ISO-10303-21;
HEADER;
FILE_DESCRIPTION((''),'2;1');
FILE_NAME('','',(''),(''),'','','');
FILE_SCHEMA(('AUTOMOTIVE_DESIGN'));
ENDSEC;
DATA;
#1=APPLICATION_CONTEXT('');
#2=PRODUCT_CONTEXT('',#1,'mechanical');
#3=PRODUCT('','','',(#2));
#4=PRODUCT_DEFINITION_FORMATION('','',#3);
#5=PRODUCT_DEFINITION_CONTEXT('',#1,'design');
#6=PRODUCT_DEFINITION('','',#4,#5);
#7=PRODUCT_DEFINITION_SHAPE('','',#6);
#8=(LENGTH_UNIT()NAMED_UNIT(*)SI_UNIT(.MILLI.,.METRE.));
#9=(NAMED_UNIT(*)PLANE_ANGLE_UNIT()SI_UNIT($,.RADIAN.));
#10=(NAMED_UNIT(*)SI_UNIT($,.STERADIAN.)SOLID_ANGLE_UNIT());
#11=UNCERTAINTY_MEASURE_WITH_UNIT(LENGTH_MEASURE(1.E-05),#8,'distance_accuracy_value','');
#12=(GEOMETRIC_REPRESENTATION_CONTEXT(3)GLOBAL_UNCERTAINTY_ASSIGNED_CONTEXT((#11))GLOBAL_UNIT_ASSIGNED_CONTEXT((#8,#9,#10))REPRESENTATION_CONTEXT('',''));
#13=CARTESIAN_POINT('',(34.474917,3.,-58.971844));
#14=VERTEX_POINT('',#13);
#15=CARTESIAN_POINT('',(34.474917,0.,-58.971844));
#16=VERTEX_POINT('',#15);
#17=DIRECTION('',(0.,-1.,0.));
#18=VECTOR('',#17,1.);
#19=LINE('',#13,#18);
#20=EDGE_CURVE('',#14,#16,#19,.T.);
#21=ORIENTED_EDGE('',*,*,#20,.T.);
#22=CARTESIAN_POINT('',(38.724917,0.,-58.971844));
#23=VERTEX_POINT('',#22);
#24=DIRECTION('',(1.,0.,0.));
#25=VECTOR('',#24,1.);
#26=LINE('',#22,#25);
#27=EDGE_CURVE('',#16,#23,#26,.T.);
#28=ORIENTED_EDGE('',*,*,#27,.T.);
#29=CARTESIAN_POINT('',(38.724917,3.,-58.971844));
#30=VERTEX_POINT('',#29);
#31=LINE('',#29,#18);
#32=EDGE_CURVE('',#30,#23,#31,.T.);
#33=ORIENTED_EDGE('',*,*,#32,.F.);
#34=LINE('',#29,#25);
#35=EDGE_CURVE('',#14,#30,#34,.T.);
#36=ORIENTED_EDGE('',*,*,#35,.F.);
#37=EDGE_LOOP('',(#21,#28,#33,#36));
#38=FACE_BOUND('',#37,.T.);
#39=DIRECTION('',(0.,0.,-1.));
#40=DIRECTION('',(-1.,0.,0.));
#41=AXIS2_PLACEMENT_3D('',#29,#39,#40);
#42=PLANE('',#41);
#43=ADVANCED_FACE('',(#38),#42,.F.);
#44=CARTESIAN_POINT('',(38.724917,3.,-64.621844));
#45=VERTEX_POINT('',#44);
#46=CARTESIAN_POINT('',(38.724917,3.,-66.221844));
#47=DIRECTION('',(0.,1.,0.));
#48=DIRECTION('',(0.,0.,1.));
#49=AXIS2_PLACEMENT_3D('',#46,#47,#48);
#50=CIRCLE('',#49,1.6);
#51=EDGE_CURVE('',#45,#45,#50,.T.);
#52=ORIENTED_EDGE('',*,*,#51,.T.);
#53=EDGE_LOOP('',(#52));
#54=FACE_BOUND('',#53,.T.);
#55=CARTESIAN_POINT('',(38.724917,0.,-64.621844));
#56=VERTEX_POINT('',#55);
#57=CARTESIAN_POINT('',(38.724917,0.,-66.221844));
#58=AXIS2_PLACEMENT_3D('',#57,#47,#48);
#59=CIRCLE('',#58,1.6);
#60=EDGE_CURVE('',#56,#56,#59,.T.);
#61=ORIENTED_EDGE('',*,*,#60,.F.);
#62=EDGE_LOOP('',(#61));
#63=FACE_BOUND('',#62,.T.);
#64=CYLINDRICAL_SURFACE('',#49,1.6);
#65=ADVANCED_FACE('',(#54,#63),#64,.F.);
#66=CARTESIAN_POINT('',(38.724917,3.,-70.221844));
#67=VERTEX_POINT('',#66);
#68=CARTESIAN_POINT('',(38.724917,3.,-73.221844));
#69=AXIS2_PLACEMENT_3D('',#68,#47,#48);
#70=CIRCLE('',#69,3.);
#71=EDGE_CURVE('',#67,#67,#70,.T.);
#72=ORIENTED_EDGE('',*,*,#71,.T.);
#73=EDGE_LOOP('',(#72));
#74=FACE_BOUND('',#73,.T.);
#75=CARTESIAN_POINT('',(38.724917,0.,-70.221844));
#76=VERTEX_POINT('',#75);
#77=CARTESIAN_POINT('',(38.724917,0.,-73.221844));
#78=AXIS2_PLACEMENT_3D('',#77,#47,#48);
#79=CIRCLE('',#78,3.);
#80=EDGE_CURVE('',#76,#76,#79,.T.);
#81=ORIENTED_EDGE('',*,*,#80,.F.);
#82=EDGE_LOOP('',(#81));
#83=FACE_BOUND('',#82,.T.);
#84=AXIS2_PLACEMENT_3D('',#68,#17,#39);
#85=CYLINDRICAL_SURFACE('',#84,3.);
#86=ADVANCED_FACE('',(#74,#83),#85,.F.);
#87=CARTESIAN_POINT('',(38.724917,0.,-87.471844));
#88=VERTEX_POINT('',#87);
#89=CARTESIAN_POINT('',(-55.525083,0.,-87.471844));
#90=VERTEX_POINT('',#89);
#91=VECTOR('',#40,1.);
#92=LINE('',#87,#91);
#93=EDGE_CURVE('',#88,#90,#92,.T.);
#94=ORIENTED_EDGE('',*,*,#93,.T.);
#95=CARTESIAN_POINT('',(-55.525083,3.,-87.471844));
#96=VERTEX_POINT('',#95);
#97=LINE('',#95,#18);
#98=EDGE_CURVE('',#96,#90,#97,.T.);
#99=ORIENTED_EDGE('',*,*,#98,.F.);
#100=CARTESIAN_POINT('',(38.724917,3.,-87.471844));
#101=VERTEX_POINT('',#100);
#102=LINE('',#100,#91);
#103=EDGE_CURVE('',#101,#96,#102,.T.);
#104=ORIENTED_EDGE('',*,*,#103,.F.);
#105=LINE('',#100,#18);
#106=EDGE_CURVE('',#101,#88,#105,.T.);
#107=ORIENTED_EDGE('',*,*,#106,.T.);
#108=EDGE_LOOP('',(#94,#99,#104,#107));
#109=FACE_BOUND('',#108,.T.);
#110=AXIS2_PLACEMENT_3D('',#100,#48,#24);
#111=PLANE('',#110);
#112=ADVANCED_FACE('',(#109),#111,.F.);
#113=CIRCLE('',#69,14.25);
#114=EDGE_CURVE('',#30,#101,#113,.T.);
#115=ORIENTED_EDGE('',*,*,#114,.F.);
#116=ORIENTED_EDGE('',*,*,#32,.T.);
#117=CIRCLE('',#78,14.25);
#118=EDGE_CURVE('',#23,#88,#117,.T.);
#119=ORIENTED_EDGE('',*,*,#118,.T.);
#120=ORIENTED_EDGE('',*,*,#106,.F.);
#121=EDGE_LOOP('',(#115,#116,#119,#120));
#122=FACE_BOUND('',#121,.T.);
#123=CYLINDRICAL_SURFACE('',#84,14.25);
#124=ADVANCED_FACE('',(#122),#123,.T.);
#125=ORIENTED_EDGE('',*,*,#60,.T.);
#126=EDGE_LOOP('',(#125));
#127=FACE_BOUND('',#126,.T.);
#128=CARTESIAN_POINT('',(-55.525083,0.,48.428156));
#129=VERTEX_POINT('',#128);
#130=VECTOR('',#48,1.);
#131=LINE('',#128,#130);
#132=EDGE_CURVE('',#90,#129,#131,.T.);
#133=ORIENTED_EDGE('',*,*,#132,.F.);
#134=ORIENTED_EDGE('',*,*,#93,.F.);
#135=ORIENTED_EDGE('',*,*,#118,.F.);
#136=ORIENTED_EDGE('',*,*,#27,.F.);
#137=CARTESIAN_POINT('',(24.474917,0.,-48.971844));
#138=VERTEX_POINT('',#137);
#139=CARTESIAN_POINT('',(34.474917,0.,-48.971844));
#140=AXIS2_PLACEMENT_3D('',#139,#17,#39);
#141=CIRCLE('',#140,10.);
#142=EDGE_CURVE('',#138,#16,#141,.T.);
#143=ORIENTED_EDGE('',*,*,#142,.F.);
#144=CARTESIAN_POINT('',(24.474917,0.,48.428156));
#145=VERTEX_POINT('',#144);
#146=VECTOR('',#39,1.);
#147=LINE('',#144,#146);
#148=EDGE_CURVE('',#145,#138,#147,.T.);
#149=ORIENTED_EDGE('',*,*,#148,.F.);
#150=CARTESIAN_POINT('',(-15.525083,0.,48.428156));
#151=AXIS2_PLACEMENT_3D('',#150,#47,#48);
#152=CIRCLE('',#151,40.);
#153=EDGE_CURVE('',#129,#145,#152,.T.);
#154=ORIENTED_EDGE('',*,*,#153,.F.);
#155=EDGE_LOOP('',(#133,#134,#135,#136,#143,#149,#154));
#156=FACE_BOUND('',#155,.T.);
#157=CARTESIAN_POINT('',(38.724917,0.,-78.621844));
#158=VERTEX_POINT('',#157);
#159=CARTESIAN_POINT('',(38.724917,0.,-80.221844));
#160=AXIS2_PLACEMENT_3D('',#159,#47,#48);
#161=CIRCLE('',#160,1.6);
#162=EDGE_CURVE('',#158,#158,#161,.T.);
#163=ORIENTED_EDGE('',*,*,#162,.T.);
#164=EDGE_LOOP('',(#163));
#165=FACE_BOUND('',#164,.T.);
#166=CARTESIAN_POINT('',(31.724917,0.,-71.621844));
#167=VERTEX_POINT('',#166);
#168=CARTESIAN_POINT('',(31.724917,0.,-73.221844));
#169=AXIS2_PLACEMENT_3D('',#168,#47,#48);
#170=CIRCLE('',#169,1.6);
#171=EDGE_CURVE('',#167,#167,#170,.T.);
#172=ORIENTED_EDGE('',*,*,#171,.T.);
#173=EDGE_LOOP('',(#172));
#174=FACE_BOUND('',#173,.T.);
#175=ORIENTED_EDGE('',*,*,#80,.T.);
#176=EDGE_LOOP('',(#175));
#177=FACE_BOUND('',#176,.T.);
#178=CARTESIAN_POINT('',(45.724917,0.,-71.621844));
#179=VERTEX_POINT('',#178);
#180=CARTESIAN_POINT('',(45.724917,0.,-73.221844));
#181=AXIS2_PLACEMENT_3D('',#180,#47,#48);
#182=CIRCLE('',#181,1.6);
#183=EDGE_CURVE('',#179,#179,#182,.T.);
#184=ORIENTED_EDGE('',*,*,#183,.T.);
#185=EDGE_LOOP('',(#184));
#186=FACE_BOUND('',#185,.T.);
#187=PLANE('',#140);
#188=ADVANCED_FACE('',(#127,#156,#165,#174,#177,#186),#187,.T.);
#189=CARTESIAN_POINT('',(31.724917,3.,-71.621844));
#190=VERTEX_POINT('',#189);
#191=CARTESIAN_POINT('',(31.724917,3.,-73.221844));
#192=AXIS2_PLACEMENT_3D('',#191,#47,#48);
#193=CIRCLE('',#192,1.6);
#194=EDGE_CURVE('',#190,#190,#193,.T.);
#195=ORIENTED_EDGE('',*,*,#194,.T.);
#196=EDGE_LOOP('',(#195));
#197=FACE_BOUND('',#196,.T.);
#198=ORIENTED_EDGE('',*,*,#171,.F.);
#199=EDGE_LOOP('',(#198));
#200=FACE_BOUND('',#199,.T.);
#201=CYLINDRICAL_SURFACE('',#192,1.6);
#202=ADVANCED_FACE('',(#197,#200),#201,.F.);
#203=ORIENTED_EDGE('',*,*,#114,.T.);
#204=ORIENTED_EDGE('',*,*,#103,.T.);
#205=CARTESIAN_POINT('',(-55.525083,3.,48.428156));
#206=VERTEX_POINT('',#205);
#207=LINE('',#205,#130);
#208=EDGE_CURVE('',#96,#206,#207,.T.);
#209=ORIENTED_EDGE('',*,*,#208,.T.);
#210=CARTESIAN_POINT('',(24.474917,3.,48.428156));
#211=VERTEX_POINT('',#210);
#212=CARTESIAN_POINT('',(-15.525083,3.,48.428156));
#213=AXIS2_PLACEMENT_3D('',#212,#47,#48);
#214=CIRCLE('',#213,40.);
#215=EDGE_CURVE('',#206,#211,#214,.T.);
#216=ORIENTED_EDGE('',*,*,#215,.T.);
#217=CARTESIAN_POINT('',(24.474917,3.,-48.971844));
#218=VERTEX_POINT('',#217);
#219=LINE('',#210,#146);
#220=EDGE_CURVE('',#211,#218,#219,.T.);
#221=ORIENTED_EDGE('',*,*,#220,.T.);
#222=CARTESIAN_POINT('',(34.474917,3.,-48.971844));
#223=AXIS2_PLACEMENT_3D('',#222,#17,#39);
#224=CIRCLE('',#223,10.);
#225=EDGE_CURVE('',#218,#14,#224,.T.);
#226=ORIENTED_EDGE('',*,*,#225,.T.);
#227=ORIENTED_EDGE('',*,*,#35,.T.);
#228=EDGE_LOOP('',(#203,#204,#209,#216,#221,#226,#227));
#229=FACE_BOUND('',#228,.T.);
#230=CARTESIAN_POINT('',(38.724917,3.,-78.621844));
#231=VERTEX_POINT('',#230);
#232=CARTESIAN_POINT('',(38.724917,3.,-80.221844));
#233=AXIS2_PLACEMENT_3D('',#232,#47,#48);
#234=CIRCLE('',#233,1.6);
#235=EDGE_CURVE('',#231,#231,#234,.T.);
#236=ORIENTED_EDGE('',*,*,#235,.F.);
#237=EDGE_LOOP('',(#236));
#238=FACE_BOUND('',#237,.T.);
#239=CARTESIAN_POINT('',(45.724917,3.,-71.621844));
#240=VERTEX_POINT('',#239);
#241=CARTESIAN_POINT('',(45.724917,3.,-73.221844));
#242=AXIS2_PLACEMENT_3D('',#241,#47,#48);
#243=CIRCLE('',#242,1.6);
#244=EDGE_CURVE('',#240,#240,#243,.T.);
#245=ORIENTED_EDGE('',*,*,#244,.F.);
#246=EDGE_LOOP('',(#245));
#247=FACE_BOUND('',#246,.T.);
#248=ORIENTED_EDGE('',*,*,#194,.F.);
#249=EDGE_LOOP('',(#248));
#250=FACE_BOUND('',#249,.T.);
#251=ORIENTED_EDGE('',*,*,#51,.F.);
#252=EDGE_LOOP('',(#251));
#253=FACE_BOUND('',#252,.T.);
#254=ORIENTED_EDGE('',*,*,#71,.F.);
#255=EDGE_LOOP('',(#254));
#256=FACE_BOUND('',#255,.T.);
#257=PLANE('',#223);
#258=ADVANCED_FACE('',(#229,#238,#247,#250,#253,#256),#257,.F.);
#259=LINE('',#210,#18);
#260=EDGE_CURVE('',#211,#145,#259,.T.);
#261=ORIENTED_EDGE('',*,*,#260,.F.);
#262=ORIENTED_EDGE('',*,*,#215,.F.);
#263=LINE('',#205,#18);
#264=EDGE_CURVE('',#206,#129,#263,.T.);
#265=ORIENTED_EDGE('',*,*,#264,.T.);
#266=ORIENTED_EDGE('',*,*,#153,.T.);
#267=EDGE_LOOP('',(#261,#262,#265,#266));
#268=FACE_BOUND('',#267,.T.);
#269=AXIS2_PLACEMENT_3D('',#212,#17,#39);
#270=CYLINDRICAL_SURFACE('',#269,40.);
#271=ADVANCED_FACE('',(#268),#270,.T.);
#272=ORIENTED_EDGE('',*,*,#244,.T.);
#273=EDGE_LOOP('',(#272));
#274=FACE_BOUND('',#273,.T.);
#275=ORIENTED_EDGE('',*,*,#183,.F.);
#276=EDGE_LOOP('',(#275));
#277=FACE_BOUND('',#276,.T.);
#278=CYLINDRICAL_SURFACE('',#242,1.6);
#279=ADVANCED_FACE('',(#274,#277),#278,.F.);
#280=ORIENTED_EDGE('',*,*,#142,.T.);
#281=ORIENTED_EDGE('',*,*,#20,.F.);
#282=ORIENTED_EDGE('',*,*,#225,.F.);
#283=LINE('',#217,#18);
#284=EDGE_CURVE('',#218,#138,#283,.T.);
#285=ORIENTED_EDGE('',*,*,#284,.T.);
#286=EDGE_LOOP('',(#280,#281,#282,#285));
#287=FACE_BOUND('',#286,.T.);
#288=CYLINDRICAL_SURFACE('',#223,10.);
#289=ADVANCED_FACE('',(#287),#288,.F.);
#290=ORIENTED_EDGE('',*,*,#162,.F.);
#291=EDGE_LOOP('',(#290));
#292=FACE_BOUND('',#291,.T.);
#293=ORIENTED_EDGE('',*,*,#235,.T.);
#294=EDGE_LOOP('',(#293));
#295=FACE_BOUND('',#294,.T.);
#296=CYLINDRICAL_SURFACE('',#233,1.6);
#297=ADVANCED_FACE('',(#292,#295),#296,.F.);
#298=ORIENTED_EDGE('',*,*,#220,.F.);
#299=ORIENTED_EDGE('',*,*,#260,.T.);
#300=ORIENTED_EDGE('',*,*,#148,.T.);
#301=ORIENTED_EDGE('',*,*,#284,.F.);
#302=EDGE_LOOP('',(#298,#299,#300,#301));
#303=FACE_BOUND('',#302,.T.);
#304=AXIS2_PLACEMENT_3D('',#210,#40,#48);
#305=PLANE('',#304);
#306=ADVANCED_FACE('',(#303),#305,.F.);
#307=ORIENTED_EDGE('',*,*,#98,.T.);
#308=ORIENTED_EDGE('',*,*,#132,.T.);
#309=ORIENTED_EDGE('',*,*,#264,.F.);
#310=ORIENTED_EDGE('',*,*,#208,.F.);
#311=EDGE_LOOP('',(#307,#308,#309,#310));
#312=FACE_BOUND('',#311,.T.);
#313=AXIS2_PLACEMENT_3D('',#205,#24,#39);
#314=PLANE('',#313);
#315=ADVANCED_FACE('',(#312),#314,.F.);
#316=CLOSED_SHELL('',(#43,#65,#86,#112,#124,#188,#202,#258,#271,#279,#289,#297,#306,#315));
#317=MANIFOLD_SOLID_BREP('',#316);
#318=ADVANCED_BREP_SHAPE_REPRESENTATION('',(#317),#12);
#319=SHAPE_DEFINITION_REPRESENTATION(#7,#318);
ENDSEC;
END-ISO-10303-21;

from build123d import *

# Parameters (mm, degrees)
SKETCH_1_R              = 3
EXTRUDE_1_DEPTH         = 3
HOLE_WIZARD_3_2_3_2_1_D = 3.2


with BuildPart() as part:
    # 草图1 → 凸台-拉伸1 (new body)
    with BuildSketch(Plane(origin=(0, 0, 0), x_dir=(1, 0, 0), z_dir=(0, 1, 0))):
        with BuildLine():
            Line((-55.525082752, -48.428156032), (-55.525082752, 87.471843968))
            Line((-55.525082752, 87.471843968), (38.724917248, 87.471843968))
            ThreePointArc((38.724917248, 87.471843968), (52.974917248, 73.221843968), (38.724917248, 58.971843968))
            Line((38.724917248, 58.971843968), (34.474917248, 58.971843968))
            ThreePointArc((34.474917248, 58.971843968), (27.403849436, 56.04291178), (24.474917248, 48.971843968))
            Line((24.474917248, 48.971843968), (24.474917248, -48.428156032))
            ThreePointArc((24.474917248, -48.428156032), (-15.525082752, -88.428156032), (-55.525082752, -48.428156032))
        make_face()
        with Locations(Location((38.724917248, 73.221843968, 0), (0, 0, 270))):
            Circle(SKETCH_1_R, mode=Mode.SUBTRACT)
    extrude(amount=EXTRUDE_1_DEPTH)

    # Ø3.2 (3.2) 直径孔1 (through all)
    with Locations(Plane(origin=(38.724917248, 3, -80.221843968), x_dir=(0, 0, 1), z_dir=(0, 1, 0))):
        with Locations((0, 0), (7, -7), (14, 0), (7, 7)):
            Hole(HOLE_WIZARD_3_2_3_2_1_D / 2)


solid = part.part
